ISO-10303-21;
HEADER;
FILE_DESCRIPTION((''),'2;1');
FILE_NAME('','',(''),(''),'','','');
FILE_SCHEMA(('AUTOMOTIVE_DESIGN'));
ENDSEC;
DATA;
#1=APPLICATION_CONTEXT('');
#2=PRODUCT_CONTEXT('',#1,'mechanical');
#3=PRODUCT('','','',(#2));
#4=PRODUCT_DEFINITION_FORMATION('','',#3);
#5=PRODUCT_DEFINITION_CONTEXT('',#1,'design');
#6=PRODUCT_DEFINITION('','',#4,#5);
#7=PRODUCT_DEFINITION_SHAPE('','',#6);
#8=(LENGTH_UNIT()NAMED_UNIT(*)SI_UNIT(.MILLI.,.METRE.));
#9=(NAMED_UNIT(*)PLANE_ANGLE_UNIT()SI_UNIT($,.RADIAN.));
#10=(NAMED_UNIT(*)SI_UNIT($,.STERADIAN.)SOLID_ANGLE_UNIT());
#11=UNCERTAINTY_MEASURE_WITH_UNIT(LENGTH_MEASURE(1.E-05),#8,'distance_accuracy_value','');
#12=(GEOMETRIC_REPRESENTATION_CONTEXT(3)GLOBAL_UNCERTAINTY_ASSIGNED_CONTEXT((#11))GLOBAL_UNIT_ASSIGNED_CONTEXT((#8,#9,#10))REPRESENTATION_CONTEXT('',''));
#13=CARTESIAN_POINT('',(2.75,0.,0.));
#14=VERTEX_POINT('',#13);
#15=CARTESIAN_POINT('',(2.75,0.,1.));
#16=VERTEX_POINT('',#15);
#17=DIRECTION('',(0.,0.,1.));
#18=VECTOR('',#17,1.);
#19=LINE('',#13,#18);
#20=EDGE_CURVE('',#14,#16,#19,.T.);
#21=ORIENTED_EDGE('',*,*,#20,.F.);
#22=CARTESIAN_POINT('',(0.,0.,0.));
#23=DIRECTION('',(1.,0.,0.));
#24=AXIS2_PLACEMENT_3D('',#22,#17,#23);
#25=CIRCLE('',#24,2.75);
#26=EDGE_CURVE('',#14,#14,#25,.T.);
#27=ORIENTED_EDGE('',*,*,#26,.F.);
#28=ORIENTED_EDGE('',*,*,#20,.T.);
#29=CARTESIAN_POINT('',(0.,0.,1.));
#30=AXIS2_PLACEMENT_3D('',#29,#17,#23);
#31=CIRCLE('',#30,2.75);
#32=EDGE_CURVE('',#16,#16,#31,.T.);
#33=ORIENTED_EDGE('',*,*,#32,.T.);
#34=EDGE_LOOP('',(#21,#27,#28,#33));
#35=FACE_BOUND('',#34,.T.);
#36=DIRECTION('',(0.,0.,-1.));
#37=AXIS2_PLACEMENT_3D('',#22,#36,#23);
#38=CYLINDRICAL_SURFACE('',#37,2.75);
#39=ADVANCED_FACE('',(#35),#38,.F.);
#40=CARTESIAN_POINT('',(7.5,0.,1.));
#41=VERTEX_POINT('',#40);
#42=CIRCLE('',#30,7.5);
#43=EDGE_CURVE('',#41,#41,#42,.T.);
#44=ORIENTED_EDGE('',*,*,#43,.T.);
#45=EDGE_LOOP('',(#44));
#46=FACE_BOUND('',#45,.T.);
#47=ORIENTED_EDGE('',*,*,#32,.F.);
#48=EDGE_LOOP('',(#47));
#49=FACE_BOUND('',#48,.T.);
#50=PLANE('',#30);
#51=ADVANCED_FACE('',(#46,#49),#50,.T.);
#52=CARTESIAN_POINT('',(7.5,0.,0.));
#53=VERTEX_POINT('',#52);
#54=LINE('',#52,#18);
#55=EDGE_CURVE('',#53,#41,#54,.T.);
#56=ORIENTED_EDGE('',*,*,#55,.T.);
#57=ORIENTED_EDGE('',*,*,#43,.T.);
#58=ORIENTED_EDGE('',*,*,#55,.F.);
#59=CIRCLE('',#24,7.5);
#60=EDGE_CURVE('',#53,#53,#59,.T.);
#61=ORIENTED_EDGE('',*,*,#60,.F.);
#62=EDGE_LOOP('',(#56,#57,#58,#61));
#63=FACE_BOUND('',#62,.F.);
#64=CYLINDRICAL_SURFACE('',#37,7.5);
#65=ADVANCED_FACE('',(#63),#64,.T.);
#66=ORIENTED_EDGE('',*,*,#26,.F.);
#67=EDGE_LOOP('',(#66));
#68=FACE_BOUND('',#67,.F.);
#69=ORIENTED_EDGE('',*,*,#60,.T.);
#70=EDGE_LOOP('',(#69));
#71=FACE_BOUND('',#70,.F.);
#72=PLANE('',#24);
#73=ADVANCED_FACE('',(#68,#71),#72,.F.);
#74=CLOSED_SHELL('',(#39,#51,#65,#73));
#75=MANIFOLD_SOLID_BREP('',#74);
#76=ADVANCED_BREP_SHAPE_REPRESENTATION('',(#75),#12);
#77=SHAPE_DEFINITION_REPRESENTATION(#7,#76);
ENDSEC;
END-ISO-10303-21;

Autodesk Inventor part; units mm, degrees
ref_plane "YZ Plane" through (0, 0, 0) normal (1, 0, 0) x (0, 1, 0)
ref_plane "XZ Plane" through (0, 0, 0) normal (0, 1, 0) x (-1, 0, 0)
ref_plane "XY Plane" through (0, 0, 0) normal (0, 0, 1) x (1, 0, 0)
sketch "Эскиз1" plane through (0, 0, 0) normal (0, 0, 1) x (1, 0, 0)
  circle A0 centre (0, 0) radius 2.75
  circle A1 centre (0, 0) radius 7.5
  dimension "d0" = 5.5
  dimension "d1" = 15
extrude "Выдавливание1" add sketch "Эскиз1" along normal blind 1
properties part number "Шайба M5x15"
